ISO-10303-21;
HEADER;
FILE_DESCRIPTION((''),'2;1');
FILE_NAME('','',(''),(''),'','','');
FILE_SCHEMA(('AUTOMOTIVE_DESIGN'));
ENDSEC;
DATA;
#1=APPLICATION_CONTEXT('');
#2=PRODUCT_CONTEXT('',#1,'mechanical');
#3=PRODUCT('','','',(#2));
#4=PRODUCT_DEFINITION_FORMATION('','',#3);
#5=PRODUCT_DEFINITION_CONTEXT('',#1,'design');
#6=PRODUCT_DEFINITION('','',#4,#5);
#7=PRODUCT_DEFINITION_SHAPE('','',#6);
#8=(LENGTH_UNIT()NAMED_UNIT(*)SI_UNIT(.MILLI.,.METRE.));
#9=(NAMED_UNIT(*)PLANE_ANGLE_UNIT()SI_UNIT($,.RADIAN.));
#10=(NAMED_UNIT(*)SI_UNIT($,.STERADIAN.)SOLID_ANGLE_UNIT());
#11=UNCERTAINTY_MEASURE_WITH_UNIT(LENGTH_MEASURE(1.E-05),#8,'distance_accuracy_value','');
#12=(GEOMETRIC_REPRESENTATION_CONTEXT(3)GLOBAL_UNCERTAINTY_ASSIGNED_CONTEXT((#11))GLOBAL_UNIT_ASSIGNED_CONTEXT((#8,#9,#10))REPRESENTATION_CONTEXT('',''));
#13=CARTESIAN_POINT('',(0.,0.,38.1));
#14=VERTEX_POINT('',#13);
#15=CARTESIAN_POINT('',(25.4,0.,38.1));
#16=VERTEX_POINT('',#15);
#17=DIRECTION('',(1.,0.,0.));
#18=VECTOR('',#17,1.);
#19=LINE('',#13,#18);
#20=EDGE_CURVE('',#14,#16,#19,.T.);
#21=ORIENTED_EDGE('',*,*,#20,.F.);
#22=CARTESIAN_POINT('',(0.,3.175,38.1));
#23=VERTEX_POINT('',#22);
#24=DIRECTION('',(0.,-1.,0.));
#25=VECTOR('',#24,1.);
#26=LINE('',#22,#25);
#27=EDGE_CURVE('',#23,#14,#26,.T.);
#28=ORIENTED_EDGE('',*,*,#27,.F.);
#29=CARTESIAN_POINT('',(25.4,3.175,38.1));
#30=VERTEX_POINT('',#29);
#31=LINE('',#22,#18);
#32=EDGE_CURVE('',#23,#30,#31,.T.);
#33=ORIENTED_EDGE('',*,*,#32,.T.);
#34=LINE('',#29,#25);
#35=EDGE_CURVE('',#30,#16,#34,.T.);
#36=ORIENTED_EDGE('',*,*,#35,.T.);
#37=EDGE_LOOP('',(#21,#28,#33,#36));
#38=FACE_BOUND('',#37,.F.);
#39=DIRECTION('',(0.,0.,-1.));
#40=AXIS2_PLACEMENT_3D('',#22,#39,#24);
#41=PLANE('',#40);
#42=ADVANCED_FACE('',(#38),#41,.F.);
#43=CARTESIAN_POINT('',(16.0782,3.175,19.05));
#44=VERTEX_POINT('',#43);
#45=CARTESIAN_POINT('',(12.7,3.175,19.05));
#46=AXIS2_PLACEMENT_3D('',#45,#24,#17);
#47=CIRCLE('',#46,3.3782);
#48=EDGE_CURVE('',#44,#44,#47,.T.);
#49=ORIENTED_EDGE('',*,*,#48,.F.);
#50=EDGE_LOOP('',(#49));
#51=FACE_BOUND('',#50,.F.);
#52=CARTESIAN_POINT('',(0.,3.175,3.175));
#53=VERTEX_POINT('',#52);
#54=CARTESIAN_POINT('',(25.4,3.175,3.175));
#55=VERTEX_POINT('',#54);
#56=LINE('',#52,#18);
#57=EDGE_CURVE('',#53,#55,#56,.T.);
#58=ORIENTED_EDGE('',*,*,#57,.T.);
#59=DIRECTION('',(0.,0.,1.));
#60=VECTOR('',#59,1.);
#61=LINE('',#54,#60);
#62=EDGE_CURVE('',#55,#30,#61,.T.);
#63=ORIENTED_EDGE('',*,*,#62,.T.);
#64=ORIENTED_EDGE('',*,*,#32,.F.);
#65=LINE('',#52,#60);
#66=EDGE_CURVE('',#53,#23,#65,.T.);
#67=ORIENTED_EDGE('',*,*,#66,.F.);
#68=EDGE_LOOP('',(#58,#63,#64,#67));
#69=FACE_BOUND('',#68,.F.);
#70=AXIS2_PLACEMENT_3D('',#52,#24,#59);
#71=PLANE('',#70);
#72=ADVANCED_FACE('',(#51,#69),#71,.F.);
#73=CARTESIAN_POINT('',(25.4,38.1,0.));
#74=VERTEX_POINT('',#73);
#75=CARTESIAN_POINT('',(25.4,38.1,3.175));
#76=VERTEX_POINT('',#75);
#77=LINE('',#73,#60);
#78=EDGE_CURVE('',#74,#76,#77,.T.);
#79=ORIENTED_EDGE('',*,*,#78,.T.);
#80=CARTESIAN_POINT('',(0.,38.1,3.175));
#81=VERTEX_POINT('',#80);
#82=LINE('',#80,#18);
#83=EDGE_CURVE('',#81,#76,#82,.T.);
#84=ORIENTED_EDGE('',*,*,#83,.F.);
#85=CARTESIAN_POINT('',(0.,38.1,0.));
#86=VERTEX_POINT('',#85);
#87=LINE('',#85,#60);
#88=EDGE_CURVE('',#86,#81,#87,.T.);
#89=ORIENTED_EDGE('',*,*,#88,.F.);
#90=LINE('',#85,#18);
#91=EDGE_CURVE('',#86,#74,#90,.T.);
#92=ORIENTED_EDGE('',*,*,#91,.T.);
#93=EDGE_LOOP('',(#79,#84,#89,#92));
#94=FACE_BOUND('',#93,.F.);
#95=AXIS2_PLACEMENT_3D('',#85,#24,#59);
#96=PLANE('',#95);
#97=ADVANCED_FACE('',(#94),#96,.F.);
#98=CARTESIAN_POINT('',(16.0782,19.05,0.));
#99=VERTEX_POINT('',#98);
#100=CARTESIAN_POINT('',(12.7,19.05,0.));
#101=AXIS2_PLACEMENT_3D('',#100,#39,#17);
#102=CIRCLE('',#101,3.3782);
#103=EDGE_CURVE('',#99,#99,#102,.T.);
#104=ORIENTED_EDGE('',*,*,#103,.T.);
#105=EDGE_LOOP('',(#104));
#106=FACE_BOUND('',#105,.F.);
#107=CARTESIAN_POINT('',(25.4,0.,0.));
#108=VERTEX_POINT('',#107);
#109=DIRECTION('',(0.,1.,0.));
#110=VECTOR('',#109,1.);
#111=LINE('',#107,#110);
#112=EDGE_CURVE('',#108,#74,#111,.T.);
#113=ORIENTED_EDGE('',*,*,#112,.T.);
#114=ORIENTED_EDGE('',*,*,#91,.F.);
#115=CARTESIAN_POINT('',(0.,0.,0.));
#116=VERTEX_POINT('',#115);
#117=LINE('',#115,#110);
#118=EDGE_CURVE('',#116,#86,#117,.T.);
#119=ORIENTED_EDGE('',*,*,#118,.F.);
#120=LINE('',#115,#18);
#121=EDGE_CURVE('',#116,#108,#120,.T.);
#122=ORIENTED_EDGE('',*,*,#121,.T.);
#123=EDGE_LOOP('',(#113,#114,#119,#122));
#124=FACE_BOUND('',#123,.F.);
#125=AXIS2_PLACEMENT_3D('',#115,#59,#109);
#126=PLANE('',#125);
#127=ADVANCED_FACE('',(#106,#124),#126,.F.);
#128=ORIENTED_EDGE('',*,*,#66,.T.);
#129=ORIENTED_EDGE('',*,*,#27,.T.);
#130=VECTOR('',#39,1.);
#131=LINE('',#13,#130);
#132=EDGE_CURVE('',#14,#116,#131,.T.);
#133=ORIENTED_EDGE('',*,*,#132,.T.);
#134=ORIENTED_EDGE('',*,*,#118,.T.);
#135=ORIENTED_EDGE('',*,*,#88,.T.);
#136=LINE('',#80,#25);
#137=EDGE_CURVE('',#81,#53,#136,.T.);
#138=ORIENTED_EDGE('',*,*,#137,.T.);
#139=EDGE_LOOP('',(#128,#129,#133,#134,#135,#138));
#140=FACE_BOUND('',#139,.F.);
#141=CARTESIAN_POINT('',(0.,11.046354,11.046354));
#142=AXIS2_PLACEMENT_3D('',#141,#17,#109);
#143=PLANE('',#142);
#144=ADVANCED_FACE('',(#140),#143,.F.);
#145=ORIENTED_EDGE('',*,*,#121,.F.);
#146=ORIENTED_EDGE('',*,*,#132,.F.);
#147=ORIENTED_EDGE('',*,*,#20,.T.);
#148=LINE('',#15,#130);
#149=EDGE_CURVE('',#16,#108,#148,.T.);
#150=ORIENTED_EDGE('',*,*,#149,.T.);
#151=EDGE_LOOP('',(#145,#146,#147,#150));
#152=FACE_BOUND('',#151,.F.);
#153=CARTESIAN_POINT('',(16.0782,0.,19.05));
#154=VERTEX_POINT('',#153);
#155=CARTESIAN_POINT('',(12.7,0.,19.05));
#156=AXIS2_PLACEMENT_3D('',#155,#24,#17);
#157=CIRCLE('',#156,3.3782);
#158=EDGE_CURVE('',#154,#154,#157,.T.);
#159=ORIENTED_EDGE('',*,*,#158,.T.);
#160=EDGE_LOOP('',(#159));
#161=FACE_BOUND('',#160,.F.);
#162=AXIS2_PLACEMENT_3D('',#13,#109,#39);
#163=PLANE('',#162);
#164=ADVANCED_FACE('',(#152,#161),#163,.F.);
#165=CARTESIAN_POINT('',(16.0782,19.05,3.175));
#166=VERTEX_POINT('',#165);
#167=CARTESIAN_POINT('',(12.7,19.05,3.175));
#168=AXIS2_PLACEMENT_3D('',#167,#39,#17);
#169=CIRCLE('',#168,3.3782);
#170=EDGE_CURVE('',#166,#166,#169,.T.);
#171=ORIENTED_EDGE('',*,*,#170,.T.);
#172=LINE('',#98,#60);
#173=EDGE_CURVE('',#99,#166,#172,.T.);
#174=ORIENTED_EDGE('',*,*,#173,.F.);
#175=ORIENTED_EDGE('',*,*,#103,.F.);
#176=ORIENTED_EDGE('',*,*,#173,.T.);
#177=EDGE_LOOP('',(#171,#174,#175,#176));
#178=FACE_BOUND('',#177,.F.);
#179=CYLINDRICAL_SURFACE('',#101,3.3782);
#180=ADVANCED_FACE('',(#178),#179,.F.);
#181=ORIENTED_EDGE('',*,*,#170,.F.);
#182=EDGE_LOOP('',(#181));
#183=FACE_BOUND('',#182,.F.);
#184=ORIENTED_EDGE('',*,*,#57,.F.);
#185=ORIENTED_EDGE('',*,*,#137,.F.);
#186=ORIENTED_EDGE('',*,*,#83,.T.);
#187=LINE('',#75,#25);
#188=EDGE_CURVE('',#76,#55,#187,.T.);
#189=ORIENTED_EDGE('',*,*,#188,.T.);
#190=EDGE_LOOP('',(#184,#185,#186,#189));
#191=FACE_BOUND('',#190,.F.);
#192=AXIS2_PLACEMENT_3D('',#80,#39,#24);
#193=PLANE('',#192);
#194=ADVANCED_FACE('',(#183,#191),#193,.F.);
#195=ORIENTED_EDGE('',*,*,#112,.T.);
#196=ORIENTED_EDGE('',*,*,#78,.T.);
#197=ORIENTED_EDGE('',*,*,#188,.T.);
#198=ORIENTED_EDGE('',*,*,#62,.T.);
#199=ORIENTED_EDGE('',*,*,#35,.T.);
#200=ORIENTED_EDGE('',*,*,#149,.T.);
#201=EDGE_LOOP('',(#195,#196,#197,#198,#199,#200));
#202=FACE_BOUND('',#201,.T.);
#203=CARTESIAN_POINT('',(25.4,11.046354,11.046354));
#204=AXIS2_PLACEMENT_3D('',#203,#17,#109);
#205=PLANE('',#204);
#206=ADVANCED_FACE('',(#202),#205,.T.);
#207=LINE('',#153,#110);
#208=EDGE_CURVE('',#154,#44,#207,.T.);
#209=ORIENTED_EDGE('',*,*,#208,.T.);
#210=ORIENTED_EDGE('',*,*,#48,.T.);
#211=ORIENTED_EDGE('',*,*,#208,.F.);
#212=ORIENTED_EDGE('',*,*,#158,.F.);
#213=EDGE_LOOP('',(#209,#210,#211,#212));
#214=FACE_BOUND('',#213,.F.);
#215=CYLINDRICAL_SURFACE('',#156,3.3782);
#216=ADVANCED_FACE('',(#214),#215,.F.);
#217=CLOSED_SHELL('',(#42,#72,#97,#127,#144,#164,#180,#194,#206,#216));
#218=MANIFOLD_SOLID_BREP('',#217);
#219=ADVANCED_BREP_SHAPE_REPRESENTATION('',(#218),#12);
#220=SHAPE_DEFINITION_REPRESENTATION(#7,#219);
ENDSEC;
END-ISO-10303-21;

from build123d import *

# Parameters (mm, degrees)
F1_DEPTH = 25.4
F2_R     = 3.3782
F3_DEPTH = 25.4
F4_R     = 3.3782
F5_DEPTH = 25.4


with BuildPart() as f1:
    # F0 (on Right) → F1 (new body)
    with BuildSketch(Plane.YZ):
        Polygon((0, 38.1), (0, 0), (38.1, 0), (38.1, 3.175), (3.175, 3.175), (3.175, 38.1), align=None)
    extrude(amount=F1_DEPTH)

    # F2 (on face) → F3 (cut)
    with BuildSketch(Plane.XZ):
        with Locations((12.7, 19.05)):
            Circle(F2_R)
    extrude(amount=-F3_DEPTH, mode=Mode.SUBTRACT)

    # F4 (on face) → F5 (cut)
    with BuildSketch(Plane(origin=(0, 0, 0), x_dir=(1, 0, 0), z_dir=(0, 0, -1))):
        with Locations((12.7, -19.05)):
            Circle(F4_R)
    extrude(amount=-F5_DEPTH, mode=Mode.SUBTRACT)


solid = f1.part
